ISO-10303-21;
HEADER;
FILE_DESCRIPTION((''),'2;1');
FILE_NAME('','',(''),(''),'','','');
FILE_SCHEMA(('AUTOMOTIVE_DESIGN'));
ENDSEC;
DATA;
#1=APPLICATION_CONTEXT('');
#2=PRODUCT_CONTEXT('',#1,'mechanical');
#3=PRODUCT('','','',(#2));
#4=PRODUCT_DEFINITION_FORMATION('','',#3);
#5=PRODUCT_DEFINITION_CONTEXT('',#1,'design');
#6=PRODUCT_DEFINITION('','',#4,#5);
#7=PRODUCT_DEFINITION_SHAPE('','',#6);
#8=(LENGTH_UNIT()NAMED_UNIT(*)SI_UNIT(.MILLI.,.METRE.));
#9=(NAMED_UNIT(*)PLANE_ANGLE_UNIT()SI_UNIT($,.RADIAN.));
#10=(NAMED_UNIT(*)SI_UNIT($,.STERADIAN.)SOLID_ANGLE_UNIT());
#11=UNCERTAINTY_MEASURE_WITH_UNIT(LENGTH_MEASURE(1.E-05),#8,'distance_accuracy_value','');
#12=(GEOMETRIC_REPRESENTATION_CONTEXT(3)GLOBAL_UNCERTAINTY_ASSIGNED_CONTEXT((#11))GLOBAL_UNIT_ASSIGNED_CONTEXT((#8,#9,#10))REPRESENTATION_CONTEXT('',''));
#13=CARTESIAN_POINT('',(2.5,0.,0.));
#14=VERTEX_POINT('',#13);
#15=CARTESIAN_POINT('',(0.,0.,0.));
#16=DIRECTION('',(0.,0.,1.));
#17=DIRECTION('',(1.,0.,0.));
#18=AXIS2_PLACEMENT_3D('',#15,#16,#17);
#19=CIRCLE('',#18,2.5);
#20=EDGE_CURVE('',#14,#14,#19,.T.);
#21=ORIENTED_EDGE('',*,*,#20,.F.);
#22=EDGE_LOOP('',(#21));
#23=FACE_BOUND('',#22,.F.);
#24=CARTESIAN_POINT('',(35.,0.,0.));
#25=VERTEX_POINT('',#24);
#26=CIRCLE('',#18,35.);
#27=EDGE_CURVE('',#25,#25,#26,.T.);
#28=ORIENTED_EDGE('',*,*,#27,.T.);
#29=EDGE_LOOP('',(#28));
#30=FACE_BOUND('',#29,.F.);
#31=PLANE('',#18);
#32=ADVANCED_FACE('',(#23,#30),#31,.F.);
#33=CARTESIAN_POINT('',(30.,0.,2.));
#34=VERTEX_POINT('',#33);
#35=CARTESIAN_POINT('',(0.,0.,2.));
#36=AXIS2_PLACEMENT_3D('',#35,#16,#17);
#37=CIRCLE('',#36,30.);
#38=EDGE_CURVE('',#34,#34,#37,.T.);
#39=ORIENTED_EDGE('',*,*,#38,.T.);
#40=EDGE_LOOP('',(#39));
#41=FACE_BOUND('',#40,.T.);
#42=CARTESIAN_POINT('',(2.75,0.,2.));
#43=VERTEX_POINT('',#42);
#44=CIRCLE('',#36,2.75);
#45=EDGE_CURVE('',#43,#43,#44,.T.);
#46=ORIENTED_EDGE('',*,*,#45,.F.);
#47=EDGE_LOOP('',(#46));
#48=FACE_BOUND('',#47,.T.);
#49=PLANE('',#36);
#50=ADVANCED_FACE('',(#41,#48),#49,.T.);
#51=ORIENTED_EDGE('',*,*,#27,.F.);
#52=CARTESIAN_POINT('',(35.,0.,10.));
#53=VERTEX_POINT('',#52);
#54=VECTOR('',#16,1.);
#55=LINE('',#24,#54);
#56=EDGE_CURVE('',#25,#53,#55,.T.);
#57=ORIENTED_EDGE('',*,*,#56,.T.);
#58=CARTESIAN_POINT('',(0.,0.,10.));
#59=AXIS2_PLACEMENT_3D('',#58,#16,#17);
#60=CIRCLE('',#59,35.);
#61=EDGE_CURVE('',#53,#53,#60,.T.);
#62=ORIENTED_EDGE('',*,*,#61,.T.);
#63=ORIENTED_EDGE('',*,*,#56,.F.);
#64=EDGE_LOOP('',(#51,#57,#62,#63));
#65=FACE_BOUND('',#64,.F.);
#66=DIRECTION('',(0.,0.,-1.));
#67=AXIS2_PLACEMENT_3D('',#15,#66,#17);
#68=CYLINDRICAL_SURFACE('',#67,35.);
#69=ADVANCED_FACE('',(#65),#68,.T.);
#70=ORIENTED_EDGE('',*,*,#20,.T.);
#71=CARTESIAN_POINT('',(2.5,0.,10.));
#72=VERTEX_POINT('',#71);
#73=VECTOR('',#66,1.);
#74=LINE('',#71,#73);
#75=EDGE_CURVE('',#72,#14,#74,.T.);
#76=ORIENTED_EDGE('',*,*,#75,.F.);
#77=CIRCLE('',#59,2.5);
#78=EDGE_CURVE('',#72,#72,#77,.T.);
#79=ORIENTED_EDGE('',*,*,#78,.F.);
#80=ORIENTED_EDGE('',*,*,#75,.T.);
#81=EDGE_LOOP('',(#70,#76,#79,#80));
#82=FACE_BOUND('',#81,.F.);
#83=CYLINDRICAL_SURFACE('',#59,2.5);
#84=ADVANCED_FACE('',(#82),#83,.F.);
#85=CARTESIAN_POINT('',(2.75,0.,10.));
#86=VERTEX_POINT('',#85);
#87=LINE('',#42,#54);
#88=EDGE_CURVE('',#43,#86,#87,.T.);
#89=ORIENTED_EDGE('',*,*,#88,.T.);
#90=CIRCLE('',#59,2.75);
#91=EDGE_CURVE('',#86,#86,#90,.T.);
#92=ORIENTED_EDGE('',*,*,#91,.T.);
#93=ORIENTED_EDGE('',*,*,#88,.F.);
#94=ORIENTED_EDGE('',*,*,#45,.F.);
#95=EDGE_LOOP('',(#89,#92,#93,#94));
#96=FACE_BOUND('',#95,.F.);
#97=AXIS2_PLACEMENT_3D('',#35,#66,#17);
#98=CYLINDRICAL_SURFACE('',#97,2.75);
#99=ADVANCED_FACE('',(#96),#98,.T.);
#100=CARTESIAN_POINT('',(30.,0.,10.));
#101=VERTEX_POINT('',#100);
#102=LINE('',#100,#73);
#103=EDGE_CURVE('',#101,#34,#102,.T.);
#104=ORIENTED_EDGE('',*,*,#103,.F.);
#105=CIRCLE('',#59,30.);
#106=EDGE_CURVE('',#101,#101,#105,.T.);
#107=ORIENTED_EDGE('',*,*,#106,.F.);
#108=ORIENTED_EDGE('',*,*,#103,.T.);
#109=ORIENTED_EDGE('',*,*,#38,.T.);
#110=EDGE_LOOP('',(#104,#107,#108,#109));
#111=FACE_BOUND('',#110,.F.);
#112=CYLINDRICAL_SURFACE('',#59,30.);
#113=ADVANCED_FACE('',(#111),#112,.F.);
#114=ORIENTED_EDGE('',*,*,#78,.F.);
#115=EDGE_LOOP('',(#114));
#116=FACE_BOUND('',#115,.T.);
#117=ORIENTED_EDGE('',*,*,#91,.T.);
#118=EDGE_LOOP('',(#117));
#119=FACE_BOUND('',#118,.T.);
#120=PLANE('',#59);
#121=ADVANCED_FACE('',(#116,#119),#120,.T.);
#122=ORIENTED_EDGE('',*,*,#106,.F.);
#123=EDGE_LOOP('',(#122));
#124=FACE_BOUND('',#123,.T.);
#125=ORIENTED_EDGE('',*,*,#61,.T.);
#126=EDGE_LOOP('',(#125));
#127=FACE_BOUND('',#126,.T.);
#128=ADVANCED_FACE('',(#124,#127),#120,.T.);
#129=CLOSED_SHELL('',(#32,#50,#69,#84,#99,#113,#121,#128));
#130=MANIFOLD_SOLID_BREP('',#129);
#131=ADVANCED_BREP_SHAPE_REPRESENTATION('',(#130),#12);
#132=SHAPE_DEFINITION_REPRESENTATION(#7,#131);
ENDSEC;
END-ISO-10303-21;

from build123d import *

# Parameters (mm, degrees)
F0_R     = 35
F1_DEPTH = 10
F2_R     = 30
F3_DEPTH = 8
F4_R     = 2.75
F5_DEPTH = 8
F6_R     = 2.5
F7_DEPTH = 10


with BuildPart() as f1:
    # F0 (on Top) → F1 (new body)
    with BuildSketch(Plane.XY):
        Circle(F0_R)
    extrude(amount=F1_DEPTH)

    # F2 (on face) → F3 (cut)
    with BuildSketch(Plane.XY.offset(10)):
        Circle(F2_R)
    extrude(amount=-F3_DEPTH, mode=Mode.SUBTRACT)

    # F4 (on face) → F5 (join)
    with BuildSketch(Plane.XY.offset(2)):
        Circle(F4_R)
    extrude(amount=F5_DEPTH)

    # F6 (on face) → F7 (cut)
    with BuildSketch(Plane.XY.offset(10)):
        Circle(F6_R)
    extrude(amount=-F7_DEPTH, mode=Mode.SUBTRACT)


solid = f1.part
